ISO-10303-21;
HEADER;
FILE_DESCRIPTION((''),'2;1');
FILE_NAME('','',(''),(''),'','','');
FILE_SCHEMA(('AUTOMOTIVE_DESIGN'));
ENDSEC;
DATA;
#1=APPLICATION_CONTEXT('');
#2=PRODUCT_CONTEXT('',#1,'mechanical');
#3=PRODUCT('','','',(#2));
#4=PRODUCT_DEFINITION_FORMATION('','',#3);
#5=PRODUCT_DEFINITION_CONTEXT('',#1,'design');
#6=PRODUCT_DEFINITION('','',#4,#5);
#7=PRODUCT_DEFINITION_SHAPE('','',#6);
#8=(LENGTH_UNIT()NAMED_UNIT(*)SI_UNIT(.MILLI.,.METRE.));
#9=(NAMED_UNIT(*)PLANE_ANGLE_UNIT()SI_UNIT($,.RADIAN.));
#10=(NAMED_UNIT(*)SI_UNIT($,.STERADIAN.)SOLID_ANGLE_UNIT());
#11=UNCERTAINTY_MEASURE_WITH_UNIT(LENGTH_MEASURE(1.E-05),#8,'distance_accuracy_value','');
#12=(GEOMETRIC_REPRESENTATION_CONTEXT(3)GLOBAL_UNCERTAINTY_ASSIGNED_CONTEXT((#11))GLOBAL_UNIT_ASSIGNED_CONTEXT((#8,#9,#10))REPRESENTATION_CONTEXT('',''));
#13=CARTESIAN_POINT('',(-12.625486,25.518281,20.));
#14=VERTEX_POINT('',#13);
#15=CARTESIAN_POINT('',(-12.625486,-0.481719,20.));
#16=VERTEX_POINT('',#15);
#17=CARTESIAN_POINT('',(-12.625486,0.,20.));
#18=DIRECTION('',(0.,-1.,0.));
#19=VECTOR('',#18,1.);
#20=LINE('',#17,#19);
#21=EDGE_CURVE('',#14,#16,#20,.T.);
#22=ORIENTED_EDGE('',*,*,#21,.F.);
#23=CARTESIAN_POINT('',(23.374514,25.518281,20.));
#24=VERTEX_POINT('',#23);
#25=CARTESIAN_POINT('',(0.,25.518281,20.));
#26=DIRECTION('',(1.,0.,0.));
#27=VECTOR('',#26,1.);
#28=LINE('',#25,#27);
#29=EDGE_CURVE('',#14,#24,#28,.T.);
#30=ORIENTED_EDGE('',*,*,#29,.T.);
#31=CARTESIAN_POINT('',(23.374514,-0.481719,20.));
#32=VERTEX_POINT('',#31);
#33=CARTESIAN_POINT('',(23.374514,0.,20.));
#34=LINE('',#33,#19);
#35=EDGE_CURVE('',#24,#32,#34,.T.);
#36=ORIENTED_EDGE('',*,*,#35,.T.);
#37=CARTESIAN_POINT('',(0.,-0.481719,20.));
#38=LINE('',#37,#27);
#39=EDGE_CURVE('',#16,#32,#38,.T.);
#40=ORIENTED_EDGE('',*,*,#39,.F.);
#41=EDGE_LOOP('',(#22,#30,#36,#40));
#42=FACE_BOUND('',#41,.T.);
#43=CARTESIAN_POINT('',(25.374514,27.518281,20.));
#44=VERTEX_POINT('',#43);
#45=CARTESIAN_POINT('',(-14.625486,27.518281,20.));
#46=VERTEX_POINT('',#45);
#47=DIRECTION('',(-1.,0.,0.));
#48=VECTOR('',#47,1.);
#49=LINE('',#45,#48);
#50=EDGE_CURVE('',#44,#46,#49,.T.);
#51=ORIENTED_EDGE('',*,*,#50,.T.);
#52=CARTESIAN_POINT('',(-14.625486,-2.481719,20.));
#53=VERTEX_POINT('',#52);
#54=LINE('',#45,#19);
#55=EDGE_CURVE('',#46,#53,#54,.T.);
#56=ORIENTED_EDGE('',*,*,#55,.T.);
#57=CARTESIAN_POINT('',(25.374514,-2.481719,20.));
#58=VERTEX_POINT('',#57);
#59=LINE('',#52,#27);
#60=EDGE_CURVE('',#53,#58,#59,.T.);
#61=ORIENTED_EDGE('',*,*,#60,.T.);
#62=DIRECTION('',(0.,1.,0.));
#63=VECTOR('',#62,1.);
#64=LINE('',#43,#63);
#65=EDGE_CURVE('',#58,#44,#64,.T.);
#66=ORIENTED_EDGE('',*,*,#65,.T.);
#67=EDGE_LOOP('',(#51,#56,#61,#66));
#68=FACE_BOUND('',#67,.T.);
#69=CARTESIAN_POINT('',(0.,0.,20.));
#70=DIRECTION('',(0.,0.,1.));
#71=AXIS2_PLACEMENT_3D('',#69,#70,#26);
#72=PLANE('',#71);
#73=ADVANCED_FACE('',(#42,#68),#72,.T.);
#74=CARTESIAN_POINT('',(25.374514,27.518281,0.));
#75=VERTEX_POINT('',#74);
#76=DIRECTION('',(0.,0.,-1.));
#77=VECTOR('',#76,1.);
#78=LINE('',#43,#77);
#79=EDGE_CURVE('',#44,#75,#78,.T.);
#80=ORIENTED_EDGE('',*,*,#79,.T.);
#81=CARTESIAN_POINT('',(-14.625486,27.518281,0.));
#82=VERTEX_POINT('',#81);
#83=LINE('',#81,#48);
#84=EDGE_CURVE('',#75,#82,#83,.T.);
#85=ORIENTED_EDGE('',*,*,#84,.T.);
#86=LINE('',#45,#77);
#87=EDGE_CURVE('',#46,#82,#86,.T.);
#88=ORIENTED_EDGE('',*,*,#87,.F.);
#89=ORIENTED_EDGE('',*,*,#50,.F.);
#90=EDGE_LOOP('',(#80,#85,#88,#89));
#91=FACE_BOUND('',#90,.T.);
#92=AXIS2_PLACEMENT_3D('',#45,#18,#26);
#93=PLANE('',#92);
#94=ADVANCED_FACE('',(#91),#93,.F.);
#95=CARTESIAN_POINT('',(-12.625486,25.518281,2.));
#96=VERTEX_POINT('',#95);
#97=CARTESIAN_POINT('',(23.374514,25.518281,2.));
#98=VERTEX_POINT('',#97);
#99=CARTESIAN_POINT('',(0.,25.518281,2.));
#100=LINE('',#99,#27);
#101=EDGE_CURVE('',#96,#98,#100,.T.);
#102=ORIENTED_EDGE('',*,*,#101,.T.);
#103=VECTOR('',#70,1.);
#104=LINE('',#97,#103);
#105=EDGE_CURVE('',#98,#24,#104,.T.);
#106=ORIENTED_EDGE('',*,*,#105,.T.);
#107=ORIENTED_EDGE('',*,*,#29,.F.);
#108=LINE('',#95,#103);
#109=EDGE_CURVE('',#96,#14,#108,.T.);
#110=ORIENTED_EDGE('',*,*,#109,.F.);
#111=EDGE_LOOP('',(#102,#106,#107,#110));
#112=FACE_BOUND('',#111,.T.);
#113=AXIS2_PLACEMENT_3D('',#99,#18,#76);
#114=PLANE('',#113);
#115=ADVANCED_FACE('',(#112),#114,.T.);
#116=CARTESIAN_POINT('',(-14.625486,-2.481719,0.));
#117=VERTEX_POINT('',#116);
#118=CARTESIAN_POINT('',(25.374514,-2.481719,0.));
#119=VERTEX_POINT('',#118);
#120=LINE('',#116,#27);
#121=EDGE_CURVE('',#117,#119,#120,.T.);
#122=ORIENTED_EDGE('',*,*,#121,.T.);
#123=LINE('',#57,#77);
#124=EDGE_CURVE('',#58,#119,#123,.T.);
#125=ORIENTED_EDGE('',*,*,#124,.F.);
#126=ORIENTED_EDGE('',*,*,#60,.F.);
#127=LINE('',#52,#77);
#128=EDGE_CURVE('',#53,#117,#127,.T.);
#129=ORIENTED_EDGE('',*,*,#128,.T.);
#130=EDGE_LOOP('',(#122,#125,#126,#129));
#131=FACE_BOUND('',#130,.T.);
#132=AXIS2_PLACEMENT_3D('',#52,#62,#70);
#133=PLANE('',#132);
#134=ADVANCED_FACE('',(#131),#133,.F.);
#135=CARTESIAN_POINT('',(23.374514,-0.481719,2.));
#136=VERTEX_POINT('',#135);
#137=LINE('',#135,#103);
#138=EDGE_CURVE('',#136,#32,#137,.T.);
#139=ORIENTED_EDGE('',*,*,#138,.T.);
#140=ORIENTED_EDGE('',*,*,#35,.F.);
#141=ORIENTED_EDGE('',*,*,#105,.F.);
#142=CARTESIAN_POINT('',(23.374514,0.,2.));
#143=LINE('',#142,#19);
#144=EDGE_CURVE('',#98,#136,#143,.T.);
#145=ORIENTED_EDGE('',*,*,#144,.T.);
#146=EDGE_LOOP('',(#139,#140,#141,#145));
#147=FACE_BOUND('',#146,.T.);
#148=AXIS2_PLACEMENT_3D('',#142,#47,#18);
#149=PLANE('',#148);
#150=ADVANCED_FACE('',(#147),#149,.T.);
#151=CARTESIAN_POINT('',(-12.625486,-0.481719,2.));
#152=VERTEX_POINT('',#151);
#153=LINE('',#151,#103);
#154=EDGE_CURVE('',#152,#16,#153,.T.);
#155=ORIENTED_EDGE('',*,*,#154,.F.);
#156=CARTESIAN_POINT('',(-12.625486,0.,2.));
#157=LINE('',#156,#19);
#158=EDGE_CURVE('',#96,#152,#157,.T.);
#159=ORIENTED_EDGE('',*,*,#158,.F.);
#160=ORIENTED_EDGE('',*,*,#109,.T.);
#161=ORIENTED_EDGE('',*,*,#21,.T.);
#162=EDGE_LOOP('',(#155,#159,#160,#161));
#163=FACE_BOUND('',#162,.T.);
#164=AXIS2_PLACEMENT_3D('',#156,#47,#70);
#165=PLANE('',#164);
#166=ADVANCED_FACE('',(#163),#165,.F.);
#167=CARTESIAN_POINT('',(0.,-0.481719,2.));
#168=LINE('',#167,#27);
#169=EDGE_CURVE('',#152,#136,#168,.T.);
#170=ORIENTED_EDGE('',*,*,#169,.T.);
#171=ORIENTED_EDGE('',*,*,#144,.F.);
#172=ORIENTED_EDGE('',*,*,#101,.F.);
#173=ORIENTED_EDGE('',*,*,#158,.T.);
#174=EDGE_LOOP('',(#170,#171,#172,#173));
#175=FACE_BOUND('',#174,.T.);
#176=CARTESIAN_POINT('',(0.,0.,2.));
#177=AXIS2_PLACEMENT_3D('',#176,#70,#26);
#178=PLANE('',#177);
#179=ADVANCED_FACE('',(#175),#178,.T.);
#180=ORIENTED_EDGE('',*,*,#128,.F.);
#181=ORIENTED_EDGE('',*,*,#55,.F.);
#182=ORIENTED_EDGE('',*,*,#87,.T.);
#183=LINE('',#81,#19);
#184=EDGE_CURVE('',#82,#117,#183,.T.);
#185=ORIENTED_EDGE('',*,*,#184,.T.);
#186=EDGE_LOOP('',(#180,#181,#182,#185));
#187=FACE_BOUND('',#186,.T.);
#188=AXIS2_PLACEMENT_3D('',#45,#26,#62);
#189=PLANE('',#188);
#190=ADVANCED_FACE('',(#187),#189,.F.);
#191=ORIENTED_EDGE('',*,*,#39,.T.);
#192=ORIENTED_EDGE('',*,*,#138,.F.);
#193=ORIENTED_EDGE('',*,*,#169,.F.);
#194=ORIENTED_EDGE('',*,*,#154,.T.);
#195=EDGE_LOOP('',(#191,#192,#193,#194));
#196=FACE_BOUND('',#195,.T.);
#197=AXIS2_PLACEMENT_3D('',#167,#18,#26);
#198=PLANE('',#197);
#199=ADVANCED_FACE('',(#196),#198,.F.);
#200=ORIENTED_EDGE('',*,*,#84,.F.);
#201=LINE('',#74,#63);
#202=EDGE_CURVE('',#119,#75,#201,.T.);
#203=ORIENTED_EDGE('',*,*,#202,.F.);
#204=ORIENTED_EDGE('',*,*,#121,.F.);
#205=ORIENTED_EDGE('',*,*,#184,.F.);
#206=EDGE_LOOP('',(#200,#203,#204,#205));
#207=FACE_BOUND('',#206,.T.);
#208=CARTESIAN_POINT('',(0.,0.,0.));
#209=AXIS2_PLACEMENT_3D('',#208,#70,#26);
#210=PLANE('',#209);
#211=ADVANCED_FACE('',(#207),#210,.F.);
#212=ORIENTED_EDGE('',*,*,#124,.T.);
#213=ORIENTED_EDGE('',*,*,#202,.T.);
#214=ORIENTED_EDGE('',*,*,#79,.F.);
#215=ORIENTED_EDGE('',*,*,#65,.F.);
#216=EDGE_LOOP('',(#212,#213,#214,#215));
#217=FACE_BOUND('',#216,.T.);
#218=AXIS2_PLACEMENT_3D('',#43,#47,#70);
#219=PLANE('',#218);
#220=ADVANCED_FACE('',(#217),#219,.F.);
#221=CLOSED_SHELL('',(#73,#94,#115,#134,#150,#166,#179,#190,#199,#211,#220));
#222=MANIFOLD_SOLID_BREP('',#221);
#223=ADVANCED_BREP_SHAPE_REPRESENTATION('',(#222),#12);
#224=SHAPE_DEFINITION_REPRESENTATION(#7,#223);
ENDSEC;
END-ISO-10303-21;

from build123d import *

# Parameters (mm, degrees)
SKETCH_1_W          = 40
SKETCH_1_H          = 30
EXTRUDE_1_DEPTH     = 20
SKETCH_2_W          = 36
SKETCH_2_H          = 26
CUT_EXTRUDE_2_DEPTH = 18


with BuildPart() as part:
    # 草图1 → 凸台-拉伸1 (new body)
    with BuildSketch(Plane.XY):
        with Locations((5.374514335, 12.518280569)):
            Rectangle(SKETCH_1_W, SKETCH_1_H)
    extrude(amount=EXTRUDE_1_DEPTH)

    # 草图2 → 切除-拉伸2 (cut)
    with BuildSketch(Plane.XY.offset(20)):
        with Locations((5.374514335, 12.518280569)):
            Rectangle(SKETCH_2_W, SKETCH_2_H)
    extrude(amount=-CUT_EXTRUDE_2_DEPTH, mode=Mode.SUBTRACT)


solid = part.part
